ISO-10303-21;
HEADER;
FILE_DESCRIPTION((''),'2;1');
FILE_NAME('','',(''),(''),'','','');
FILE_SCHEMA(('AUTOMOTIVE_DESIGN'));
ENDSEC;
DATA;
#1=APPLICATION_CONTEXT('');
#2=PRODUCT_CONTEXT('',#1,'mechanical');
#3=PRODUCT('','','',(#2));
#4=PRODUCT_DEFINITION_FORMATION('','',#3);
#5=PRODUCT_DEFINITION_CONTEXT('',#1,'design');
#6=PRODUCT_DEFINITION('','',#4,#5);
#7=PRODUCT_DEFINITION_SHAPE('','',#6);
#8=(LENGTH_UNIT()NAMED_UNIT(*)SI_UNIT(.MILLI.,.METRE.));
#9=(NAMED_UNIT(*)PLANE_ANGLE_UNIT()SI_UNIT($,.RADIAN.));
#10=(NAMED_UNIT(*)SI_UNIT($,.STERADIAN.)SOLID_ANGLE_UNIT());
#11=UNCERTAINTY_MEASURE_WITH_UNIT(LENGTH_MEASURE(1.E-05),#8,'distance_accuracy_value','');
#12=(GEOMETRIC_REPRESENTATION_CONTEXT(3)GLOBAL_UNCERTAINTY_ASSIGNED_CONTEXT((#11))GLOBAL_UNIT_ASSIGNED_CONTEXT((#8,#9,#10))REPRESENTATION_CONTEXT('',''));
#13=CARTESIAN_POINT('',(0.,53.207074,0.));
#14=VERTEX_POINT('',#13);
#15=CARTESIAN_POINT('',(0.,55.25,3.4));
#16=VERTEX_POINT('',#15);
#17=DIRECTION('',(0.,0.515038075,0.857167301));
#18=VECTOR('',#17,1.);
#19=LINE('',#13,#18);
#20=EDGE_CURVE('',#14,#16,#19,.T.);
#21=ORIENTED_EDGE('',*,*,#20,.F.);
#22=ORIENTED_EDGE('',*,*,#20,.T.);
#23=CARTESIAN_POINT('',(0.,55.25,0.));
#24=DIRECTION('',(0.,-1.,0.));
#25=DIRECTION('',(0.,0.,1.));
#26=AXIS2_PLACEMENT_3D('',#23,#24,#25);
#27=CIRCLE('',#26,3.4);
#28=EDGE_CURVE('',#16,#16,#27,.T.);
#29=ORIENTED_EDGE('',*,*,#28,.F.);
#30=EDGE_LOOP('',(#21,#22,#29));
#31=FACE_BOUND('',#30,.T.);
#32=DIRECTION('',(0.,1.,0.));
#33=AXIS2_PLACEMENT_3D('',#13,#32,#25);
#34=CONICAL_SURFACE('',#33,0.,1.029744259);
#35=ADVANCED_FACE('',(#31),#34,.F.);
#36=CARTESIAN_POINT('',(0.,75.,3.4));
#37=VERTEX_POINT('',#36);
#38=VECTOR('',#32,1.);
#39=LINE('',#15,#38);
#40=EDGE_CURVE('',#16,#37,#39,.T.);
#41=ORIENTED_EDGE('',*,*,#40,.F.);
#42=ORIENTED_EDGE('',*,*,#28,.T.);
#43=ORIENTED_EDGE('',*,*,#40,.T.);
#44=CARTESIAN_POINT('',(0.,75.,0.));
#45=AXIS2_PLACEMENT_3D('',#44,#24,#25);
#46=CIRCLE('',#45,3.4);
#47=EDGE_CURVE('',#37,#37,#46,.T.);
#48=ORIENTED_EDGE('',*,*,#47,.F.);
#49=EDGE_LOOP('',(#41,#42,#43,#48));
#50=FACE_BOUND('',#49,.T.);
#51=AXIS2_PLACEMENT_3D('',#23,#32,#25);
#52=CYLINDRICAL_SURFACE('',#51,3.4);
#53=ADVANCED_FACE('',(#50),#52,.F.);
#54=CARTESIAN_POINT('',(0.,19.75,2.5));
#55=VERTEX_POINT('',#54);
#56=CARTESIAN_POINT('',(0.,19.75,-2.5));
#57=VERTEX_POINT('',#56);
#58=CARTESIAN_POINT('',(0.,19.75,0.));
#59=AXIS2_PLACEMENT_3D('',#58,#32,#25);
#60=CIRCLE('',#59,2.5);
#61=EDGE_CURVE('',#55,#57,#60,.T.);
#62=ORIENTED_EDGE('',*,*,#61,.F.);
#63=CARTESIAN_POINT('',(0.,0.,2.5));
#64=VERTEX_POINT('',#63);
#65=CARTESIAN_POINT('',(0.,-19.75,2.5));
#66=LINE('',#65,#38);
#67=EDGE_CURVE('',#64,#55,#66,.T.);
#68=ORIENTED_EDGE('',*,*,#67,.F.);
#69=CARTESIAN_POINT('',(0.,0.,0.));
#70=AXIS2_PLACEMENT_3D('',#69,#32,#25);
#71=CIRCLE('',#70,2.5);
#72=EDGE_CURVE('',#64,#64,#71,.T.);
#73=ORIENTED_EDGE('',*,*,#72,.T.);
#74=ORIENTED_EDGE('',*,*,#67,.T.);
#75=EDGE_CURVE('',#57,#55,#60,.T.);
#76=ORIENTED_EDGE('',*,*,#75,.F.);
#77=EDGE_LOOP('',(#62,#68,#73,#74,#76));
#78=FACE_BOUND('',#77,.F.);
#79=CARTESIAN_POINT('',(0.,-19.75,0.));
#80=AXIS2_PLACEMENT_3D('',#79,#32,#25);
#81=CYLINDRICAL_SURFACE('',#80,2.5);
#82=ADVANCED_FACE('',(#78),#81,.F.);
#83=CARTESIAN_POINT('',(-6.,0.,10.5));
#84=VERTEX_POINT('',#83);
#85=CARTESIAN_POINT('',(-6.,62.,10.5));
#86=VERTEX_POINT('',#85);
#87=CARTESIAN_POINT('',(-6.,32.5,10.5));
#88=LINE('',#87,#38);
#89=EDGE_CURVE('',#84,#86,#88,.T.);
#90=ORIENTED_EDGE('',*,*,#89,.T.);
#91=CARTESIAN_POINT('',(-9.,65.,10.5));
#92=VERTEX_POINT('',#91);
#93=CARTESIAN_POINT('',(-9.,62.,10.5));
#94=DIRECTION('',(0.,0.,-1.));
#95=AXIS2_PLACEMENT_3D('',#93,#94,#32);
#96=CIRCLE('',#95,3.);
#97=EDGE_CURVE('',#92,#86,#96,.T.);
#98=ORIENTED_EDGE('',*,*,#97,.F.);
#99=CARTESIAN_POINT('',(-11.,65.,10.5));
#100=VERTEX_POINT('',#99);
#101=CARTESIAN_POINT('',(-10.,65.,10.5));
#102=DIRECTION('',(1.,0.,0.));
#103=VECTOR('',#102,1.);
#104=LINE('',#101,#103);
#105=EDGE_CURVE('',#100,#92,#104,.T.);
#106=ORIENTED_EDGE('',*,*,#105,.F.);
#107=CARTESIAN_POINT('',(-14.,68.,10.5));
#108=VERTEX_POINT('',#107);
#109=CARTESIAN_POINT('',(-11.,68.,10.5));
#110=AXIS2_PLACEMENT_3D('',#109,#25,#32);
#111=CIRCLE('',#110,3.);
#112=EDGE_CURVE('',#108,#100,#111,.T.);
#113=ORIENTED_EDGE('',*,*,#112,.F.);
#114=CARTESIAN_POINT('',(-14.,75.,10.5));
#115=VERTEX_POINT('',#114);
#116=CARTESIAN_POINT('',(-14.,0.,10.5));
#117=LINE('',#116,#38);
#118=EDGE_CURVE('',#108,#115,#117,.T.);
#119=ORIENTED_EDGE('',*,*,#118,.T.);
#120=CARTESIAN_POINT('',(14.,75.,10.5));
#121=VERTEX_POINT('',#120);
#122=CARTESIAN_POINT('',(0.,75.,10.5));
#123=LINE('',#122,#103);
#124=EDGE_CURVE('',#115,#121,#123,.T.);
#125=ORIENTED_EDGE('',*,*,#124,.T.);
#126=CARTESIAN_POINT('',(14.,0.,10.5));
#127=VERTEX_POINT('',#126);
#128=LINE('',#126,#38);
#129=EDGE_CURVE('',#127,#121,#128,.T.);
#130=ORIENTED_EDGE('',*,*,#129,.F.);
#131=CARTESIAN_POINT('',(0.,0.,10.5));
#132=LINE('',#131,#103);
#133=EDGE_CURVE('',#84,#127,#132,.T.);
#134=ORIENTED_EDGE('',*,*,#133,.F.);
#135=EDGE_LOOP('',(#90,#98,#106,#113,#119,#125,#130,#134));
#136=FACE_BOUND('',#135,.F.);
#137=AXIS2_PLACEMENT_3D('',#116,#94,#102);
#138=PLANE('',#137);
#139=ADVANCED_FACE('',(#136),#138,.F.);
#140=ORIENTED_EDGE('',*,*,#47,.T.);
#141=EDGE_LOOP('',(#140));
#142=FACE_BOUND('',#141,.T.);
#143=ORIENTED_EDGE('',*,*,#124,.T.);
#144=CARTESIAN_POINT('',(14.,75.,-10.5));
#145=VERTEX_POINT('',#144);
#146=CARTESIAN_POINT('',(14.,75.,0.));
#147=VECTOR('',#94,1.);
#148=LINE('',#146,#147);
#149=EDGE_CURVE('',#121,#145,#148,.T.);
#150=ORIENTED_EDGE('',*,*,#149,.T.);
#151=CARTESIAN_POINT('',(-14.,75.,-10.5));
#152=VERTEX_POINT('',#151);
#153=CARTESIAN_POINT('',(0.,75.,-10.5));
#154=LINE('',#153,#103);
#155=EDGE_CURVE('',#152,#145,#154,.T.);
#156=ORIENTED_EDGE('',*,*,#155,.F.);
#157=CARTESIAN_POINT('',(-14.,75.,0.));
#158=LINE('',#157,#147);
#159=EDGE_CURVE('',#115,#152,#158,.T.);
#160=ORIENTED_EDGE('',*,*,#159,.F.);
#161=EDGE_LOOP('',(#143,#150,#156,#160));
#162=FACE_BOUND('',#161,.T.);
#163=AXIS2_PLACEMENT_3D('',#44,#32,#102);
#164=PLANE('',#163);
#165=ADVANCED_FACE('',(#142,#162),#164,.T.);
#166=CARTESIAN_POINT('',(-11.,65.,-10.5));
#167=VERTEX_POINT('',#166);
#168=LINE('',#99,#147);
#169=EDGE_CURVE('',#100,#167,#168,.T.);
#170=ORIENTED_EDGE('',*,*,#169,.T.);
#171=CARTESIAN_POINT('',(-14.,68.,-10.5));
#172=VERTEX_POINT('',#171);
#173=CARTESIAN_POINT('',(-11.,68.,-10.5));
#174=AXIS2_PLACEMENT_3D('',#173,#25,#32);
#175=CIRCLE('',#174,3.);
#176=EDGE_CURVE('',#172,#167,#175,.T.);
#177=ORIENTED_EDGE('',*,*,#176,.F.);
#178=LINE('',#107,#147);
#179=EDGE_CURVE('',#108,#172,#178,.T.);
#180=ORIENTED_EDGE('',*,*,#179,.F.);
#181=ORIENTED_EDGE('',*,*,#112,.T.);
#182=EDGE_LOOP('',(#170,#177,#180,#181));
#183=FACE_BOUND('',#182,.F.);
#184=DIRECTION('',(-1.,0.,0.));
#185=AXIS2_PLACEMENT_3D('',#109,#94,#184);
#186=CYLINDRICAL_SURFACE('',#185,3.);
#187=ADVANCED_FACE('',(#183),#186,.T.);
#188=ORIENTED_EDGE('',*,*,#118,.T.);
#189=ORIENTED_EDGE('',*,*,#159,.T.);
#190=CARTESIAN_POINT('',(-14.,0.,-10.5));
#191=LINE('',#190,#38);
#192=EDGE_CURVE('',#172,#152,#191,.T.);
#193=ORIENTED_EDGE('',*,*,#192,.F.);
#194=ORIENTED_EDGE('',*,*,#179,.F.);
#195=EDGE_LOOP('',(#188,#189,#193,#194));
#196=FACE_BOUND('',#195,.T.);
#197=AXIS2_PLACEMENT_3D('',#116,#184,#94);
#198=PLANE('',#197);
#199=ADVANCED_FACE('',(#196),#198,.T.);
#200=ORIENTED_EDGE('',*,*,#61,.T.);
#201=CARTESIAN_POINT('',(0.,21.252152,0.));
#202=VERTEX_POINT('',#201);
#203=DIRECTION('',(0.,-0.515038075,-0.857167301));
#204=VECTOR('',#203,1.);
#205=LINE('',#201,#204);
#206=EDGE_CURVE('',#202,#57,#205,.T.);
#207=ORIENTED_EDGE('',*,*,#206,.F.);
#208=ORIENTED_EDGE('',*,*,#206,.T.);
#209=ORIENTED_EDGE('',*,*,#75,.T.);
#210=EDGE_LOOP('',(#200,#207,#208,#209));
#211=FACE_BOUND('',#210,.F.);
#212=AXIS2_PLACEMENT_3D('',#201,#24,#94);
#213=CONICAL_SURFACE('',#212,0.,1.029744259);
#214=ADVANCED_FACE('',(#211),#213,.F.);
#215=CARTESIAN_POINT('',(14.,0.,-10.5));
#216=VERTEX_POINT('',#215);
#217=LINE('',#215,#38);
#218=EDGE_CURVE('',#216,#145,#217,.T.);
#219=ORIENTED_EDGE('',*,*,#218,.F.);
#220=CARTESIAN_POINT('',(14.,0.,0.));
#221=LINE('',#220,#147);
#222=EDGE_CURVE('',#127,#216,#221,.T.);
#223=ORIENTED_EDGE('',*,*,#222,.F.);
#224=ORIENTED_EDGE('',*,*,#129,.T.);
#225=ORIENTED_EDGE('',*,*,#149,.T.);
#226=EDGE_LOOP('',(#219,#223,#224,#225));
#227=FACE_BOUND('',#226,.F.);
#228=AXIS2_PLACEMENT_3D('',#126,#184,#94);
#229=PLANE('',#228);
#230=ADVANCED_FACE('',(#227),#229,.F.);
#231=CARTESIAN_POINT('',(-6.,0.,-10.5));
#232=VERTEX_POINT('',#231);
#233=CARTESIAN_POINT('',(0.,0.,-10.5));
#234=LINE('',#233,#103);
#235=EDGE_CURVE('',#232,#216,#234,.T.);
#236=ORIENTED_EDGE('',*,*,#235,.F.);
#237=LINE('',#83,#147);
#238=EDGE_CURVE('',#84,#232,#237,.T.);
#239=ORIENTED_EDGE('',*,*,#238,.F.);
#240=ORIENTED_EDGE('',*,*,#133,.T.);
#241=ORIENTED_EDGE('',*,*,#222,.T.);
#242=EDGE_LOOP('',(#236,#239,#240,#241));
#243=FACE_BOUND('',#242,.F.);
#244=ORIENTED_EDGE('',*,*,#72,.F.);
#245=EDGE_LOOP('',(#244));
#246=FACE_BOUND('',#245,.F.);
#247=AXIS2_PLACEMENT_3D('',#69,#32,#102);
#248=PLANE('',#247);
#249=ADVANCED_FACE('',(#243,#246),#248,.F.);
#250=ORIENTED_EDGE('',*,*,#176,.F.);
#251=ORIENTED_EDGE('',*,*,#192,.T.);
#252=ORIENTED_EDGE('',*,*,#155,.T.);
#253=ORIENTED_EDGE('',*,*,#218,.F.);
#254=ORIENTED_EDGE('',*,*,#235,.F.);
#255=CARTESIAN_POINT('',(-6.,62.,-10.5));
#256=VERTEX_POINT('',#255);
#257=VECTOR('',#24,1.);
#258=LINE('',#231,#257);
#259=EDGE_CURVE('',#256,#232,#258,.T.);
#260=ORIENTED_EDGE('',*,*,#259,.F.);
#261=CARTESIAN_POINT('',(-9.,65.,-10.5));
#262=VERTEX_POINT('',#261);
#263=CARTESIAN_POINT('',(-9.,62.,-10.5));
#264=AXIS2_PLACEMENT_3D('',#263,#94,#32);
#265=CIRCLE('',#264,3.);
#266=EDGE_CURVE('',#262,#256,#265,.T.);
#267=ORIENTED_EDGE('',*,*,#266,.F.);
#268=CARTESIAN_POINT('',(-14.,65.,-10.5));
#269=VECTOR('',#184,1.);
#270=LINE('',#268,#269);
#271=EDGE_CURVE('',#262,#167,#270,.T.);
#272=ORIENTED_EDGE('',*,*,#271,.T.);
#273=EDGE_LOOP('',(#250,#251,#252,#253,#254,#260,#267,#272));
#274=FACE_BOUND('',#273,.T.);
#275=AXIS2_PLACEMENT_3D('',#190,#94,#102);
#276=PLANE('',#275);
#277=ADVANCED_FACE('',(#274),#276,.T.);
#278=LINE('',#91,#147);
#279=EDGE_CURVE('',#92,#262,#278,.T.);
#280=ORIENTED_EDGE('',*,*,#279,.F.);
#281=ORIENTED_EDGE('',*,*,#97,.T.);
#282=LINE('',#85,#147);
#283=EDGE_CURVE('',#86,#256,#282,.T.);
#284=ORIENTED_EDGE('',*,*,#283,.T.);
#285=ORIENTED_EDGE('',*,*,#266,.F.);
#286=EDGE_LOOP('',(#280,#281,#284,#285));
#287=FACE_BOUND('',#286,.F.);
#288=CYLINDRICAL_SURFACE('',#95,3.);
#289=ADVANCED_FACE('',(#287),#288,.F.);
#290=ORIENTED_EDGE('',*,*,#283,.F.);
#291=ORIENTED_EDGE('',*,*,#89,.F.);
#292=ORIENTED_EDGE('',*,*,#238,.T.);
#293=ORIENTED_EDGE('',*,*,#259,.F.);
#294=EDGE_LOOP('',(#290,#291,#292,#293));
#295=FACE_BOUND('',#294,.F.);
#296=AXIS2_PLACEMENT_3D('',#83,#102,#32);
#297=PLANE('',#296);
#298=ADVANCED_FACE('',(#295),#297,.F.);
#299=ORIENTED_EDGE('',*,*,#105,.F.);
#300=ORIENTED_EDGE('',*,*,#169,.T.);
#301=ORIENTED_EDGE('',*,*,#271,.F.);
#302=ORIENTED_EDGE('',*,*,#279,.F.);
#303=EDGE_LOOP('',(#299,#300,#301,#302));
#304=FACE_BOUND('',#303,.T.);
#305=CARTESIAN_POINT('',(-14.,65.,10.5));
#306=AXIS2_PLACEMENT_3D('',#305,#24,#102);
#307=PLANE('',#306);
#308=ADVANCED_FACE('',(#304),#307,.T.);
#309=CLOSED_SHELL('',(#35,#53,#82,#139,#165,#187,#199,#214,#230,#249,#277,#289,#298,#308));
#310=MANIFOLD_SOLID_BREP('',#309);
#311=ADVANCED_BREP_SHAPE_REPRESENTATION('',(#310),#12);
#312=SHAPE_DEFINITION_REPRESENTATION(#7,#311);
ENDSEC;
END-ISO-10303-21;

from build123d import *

# Parameters (mm, degrees)
SKETCH_1_W             = 28
SKETCH_1_H             = 21
EXTRUDE_1_DEPTH        = 75
SKETCH_6_W             = 8
SKETCH_6_H             = 65
CUT_EXTRUDE_1_DEPTH    = 22
FILLET_3_R             = 3
HOLE_WIZARD_M6_1_D     = 5
HOLE_WIZARD_M6_1_DEPTH = 19.75
HOLE_WIZARD_M6_1_TIP   = 1.502151548


with BuildPart() as part:
    # 草图1 → 凸台-拉伸1 (new body)
    with BuildSketch(Plane(origin=(0, 0, 0), x_dir=(1, 0, 0), z_dir=(0, 1, 0))):
        Rectangle(SKETCH_1_W, SKETCH_1_H)
    extrude(amount=EXTRUDE_1_DEPTH)

    # 草图5 → M8 螺纹孔1 (revolve, cut)
    with BuildSketch(Plane(origin=(0, 75, 0), x_dir=(0, 0, 1), z_dir=(1, 0, 0))):
        Polygon((0, 0), (0, 21.792926105), (3.4, 19.75), (3.4, 0), align=None)
    revolve(axis=Axis((0, 81.35, 0), (0, -1, 0)), mode=Mode.SUBTRACT)

    # 草图6 → 切除-拉伸1 (cut, through all)
    with BuildSketch(Plane.XY.offset(10.5)):
        with Locations((-10, 32.5)):
            Rectangle(SKETCH_6_W, SKETCH_6_H)
    extrude(amount=-CUT_EXTRUDE_1_DEPTH, mode=Mode.SUBTRACT)

    # 圆角3
    fillet_3_edges = [part.edges().sort_by_distance(p)[0] for p in [
        (-14, 65, 0),
        (-6, 65, 0),
    ]]
    fillet(fillet_3_edges, radius=FILLET_3_R)

    # M6 螺纹孔1
    with Locations(Plane(origin=(0, 0, 0), x_dir=(0, 0, -1), z_dir=(0, -1, 0))):
        with Locations((0, 0)):
            Hole(HOLE_WIZARD_M6_1_D / 2, depth=HOLE_WIZARD_M6_1_DEPTH)
            with Locations((0, 0, -(HOLE_WIZARD_M6_1_DEPTH + HOLE_WIZARD_M6_1_TIP / 2))):  # 118° drill point
                Cone(0, HOLE_WIZARD_M6_1_D / 2, HOLE_WIZARD_M6_1_TIP, mode=Mode.SUBTRACT)


solid = part.part
